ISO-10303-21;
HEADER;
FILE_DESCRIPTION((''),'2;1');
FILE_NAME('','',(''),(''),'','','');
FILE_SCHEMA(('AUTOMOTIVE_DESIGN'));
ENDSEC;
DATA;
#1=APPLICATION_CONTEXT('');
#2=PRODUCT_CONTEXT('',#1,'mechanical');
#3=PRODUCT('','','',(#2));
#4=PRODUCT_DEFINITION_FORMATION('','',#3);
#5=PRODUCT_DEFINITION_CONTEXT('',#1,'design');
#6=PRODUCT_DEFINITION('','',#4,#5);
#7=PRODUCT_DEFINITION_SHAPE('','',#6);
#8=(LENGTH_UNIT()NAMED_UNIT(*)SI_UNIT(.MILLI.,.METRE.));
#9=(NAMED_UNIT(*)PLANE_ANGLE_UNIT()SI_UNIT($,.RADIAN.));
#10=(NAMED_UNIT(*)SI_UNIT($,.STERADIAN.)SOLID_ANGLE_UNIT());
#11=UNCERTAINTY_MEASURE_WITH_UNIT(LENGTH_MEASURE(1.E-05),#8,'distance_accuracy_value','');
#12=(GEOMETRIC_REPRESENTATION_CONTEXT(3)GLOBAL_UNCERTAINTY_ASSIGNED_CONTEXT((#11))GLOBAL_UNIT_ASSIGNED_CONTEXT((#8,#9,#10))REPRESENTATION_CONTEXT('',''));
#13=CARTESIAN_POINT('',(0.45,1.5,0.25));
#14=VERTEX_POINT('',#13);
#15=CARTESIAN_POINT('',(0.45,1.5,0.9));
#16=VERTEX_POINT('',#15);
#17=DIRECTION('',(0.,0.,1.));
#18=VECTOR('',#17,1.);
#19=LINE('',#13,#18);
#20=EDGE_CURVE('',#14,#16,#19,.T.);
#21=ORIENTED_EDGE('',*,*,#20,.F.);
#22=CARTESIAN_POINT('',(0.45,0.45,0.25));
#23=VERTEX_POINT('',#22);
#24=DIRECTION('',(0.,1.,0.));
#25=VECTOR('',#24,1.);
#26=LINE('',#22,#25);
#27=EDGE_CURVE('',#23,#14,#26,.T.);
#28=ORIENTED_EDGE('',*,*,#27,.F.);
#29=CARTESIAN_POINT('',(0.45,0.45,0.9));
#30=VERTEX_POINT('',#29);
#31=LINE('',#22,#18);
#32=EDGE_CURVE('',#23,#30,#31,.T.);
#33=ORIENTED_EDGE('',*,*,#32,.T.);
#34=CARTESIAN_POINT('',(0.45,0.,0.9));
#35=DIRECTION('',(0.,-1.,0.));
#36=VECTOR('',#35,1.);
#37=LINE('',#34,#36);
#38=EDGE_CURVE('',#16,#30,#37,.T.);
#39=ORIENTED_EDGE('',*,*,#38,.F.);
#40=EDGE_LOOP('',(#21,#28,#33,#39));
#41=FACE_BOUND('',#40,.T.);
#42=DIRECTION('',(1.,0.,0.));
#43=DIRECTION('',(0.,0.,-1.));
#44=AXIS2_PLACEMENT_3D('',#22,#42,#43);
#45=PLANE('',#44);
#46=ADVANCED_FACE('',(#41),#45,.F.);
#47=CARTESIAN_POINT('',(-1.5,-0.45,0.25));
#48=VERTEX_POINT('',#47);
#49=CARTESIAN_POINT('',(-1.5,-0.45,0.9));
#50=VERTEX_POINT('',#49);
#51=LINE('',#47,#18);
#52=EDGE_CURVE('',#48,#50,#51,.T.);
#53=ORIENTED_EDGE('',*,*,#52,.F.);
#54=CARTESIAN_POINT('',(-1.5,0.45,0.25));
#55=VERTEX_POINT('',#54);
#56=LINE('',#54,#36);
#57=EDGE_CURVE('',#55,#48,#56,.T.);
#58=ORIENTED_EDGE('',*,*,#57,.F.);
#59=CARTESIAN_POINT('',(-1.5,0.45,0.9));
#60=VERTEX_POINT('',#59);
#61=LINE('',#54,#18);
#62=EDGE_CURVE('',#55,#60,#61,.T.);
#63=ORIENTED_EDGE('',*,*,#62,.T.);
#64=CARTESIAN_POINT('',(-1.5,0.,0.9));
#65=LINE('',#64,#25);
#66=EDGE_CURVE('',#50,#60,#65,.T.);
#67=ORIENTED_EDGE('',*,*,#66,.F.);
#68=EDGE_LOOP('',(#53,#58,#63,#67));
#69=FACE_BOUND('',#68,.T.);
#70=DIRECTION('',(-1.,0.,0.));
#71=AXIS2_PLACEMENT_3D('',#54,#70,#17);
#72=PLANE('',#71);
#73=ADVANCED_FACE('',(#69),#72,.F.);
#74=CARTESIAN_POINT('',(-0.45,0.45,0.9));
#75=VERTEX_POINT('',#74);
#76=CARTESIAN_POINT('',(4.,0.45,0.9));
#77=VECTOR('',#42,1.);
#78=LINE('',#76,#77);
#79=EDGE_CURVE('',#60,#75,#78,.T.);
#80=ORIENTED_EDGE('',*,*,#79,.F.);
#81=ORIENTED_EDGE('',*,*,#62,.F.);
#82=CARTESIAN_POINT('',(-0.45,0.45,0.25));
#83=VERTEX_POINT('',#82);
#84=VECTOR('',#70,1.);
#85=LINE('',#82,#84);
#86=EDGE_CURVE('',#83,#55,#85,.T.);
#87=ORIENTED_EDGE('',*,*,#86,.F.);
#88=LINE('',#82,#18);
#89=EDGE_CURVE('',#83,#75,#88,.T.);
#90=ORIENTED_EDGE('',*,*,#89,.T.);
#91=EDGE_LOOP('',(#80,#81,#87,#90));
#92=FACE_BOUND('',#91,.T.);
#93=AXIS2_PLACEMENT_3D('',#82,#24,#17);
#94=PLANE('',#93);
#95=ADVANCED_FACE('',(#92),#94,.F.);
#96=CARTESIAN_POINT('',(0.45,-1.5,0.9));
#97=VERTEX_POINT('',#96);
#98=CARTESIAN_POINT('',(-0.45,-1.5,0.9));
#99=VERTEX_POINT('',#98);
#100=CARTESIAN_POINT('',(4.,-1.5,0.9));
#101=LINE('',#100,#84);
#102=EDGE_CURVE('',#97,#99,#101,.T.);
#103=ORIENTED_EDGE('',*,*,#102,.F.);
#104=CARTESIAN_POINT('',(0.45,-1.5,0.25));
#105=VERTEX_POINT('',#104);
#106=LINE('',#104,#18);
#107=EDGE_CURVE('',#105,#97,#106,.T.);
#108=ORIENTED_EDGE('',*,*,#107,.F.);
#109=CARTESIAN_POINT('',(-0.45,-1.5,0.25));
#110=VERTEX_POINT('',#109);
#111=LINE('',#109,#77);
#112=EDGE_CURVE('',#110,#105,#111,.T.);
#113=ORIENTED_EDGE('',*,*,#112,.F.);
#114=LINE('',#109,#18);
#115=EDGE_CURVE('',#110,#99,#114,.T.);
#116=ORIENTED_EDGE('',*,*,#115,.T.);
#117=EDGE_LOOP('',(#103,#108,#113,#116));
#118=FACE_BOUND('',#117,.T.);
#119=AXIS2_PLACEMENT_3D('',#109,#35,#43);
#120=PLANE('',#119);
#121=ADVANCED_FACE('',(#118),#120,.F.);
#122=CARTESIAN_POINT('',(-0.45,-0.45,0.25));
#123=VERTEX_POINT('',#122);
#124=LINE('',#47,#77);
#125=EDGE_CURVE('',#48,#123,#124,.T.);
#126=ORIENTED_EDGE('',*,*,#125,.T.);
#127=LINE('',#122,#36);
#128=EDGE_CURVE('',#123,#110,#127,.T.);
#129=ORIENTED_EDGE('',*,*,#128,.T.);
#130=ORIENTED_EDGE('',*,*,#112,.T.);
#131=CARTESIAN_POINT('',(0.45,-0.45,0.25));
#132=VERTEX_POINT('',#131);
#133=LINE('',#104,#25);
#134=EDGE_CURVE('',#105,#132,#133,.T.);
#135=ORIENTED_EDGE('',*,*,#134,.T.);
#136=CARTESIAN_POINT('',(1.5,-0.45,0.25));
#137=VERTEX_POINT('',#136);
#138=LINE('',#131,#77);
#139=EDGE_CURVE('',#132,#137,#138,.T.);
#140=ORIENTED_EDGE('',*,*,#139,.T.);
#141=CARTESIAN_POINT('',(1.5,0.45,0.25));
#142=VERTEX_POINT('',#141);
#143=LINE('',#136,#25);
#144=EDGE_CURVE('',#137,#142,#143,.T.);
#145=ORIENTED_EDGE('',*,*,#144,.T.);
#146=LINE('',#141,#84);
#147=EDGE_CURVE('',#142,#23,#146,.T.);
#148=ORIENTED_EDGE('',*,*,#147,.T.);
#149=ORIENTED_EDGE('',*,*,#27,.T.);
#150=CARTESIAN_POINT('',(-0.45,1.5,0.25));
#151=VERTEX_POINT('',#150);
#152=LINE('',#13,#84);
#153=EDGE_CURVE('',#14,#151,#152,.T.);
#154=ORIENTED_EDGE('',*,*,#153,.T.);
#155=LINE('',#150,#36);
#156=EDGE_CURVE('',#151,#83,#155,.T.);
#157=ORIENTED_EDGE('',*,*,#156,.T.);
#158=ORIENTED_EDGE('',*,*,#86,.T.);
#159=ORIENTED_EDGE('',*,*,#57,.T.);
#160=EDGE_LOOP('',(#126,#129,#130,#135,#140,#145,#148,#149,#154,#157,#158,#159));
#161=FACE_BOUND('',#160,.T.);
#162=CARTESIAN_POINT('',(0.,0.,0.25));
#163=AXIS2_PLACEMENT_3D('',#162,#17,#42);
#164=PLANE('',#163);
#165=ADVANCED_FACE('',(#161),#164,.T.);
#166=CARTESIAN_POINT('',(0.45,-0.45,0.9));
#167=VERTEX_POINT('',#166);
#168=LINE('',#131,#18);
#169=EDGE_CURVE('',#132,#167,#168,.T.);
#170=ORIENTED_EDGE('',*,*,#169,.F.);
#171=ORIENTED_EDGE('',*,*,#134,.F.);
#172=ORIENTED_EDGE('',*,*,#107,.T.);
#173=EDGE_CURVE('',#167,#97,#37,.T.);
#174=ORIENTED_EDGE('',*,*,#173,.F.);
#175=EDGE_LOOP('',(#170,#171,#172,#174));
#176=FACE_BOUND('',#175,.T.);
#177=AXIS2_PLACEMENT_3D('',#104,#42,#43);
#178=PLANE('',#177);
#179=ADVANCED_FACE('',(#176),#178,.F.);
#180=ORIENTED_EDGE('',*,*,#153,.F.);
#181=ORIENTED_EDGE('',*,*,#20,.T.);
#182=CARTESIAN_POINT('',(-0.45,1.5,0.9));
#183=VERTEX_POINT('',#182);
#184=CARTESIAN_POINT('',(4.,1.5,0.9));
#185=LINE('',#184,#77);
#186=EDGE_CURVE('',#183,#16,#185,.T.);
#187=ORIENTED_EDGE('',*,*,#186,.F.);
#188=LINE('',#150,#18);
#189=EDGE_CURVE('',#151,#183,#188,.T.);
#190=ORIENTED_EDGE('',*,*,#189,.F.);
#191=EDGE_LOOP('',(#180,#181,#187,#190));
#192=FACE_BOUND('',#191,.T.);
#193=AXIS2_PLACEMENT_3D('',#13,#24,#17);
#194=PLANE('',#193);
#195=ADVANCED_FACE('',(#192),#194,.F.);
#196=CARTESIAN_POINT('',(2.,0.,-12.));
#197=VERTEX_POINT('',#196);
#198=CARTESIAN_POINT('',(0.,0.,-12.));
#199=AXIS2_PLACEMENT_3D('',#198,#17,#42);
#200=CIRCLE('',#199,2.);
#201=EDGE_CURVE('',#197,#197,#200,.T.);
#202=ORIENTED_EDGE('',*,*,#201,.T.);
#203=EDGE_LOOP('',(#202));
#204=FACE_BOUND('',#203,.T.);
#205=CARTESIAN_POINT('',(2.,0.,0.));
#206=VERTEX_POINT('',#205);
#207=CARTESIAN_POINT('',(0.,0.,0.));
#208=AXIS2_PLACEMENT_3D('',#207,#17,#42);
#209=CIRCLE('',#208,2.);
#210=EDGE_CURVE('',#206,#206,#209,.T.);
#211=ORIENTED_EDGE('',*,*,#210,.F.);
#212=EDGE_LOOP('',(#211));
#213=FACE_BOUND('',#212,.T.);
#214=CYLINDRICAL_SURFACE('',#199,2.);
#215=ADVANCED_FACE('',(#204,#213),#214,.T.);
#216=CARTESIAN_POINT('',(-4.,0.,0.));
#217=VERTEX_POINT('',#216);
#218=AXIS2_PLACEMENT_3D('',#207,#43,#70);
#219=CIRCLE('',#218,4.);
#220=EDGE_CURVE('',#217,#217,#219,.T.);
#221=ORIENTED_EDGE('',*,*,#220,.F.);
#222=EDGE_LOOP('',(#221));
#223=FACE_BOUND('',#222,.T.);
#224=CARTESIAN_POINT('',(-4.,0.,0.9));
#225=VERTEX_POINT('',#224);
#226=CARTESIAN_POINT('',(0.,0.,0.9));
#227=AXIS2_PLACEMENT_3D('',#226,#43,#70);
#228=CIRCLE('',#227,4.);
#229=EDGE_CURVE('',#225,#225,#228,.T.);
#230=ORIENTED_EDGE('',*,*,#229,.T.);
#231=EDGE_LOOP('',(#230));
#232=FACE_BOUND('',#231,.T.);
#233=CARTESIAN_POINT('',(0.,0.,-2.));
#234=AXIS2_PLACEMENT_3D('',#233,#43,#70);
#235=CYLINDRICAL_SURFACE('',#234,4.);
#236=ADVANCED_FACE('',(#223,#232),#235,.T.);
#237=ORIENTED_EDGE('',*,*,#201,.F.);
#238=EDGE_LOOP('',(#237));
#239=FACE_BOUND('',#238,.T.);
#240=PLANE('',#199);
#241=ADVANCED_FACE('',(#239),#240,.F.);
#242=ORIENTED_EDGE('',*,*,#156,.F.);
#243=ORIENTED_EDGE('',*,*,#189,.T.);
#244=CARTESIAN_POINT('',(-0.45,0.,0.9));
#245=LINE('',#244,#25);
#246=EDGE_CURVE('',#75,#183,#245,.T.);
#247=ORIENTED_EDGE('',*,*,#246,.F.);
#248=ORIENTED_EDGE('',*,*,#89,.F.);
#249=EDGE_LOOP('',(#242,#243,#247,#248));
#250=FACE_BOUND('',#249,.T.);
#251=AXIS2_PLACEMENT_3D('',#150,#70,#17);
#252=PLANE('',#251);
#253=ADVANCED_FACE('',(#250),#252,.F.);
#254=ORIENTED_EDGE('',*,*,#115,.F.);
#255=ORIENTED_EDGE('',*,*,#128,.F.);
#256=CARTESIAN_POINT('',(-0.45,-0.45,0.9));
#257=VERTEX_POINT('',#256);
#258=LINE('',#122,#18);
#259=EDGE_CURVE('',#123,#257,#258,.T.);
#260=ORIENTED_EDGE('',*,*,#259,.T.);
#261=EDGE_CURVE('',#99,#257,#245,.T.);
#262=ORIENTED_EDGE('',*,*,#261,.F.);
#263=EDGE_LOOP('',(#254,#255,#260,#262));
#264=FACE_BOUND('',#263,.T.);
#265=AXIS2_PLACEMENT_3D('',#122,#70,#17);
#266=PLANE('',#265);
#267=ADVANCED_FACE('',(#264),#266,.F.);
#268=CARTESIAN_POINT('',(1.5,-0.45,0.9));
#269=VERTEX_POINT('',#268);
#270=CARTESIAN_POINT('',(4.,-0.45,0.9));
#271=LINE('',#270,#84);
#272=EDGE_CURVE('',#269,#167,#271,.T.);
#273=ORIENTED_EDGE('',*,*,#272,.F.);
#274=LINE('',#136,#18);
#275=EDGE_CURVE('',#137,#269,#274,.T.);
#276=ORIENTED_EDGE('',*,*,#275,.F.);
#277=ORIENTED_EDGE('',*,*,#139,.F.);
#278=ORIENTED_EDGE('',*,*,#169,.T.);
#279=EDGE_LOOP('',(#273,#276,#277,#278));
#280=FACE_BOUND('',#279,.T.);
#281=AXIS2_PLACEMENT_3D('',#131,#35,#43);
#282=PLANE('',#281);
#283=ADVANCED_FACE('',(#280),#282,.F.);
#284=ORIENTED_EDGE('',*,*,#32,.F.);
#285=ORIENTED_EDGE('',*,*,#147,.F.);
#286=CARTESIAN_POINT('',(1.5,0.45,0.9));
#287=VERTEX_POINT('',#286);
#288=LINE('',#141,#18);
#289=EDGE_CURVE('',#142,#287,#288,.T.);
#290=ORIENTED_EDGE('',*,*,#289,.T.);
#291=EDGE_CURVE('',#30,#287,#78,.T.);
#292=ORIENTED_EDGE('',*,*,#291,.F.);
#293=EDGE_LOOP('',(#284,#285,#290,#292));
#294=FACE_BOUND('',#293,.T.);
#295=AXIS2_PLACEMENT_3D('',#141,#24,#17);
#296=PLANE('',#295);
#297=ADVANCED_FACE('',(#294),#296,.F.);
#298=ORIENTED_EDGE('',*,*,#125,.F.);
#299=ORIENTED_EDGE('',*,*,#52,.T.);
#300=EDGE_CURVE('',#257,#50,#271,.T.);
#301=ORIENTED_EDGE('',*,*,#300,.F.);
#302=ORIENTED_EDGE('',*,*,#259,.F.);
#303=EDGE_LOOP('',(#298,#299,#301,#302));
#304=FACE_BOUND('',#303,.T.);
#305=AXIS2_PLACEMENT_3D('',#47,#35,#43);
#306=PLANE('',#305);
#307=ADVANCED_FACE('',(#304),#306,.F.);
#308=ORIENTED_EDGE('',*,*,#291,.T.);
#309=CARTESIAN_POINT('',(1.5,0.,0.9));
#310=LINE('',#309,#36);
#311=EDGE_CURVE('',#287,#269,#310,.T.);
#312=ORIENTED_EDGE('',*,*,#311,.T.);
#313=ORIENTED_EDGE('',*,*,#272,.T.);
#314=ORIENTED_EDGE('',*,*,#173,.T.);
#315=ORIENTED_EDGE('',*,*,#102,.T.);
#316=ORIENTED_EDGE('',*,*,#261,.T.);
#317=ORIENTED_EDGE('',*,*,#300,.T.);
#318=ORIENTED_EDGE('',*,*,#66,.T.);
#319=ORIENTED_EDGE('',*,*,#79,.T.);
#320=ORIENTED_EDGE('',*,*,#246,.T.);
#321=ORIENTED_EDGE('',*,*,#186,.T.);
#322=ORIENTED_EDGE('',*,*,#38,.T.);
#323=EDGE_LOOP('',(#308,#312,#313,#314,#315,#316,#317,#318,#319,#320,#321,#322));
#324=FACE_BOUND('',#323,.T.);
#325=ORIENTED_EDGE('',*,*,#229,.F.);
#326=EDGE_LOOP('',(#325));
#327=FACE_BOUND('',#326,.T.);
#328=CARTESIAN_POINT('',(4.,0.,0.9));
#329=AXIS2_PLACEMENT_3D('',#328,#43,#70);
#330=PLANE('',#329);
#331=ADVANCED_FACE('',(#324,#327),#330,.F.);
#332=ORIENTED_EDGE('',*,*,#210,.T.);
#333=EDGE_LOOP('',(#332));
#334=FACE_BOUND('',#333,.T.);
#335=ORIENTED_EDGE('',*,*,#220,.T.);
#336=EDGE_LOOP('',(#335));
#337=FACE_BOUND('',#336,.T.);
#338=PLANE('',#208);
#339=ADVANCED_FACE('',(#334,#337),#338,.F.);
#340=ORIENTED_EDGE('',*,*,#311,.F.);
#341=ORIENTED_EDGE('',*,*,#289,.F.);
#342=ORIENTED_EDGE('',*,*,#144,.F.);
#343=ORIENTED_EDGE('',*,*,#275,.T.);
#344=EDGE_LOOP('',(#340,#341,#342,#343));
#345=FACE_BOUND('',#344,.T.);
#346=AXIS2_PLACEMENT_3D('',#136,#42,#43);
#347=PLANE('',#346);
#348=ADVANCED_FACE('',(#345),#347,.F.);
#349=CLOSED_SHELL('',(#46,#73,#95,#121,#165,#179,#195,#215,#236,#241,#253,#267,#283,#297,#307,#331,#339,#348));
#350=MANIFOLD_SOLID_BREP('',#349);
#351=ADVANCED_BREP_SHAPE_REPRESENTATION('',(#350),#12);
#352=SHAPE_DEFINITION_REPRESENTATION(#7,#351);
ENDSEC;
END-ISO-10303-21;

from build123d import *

# Parameters (mm, degrees)
SKETCH_1_R        = 2
EXTRUDE_198_DEPTH = 12
SKETCH_6_W        = 4
SKETCH_6_H        = 0.9
PH2_START         = 0.91
PH2_DEPTH         = 0.66


with BuildPart() as part:
    # 草图1 → Extrude 198 (new body)
    with BuildSketch(Plane.XY):
        Circle(SKETCH_1_R)
    extrude(amount=-EXTRUDE_198_DEPTH)

    # 草图6 → Revolve 324 (revolve)
    with BuildSketch(Plane(origin=(0, 0, 0), x_dir=(1, 0, 0), z_dir=(0, 1, 0)), mode=Mode.PRIVATE) as revolve_324_sk:
        with Locations((2, -0.45)):
            Rectangle(SKETCH_6_W, SKETCH_6_H)
    revolve(revolve_324_sk.sketch.rotate(Axis((0, 0, -2), (0, 0, 1)), 180), axis=Axis((0, 0, -2), (0, 0, 1)))

    # 草图7 → 十字槽_PH2_简化 (cut)
    with BuildSketch(Plane.XY.offset(PH2_START)):
        Polygon((-0.45, -1.5), (0.45, -1.5), (0.45, -0.45), (1.5, -0.45), (1.5, 0.45), (0.45, 0.45), (0.45, 1.5), (-0.45, 1.5), (-0.45, 0.45), (-1.5, 0.45), (-1.5, -0.45), (-0.45, -0.45), align=None)
    extrude(amount=-PH2_DEPTH, mode=Mode.SUBTRACT)


solid = part.part
